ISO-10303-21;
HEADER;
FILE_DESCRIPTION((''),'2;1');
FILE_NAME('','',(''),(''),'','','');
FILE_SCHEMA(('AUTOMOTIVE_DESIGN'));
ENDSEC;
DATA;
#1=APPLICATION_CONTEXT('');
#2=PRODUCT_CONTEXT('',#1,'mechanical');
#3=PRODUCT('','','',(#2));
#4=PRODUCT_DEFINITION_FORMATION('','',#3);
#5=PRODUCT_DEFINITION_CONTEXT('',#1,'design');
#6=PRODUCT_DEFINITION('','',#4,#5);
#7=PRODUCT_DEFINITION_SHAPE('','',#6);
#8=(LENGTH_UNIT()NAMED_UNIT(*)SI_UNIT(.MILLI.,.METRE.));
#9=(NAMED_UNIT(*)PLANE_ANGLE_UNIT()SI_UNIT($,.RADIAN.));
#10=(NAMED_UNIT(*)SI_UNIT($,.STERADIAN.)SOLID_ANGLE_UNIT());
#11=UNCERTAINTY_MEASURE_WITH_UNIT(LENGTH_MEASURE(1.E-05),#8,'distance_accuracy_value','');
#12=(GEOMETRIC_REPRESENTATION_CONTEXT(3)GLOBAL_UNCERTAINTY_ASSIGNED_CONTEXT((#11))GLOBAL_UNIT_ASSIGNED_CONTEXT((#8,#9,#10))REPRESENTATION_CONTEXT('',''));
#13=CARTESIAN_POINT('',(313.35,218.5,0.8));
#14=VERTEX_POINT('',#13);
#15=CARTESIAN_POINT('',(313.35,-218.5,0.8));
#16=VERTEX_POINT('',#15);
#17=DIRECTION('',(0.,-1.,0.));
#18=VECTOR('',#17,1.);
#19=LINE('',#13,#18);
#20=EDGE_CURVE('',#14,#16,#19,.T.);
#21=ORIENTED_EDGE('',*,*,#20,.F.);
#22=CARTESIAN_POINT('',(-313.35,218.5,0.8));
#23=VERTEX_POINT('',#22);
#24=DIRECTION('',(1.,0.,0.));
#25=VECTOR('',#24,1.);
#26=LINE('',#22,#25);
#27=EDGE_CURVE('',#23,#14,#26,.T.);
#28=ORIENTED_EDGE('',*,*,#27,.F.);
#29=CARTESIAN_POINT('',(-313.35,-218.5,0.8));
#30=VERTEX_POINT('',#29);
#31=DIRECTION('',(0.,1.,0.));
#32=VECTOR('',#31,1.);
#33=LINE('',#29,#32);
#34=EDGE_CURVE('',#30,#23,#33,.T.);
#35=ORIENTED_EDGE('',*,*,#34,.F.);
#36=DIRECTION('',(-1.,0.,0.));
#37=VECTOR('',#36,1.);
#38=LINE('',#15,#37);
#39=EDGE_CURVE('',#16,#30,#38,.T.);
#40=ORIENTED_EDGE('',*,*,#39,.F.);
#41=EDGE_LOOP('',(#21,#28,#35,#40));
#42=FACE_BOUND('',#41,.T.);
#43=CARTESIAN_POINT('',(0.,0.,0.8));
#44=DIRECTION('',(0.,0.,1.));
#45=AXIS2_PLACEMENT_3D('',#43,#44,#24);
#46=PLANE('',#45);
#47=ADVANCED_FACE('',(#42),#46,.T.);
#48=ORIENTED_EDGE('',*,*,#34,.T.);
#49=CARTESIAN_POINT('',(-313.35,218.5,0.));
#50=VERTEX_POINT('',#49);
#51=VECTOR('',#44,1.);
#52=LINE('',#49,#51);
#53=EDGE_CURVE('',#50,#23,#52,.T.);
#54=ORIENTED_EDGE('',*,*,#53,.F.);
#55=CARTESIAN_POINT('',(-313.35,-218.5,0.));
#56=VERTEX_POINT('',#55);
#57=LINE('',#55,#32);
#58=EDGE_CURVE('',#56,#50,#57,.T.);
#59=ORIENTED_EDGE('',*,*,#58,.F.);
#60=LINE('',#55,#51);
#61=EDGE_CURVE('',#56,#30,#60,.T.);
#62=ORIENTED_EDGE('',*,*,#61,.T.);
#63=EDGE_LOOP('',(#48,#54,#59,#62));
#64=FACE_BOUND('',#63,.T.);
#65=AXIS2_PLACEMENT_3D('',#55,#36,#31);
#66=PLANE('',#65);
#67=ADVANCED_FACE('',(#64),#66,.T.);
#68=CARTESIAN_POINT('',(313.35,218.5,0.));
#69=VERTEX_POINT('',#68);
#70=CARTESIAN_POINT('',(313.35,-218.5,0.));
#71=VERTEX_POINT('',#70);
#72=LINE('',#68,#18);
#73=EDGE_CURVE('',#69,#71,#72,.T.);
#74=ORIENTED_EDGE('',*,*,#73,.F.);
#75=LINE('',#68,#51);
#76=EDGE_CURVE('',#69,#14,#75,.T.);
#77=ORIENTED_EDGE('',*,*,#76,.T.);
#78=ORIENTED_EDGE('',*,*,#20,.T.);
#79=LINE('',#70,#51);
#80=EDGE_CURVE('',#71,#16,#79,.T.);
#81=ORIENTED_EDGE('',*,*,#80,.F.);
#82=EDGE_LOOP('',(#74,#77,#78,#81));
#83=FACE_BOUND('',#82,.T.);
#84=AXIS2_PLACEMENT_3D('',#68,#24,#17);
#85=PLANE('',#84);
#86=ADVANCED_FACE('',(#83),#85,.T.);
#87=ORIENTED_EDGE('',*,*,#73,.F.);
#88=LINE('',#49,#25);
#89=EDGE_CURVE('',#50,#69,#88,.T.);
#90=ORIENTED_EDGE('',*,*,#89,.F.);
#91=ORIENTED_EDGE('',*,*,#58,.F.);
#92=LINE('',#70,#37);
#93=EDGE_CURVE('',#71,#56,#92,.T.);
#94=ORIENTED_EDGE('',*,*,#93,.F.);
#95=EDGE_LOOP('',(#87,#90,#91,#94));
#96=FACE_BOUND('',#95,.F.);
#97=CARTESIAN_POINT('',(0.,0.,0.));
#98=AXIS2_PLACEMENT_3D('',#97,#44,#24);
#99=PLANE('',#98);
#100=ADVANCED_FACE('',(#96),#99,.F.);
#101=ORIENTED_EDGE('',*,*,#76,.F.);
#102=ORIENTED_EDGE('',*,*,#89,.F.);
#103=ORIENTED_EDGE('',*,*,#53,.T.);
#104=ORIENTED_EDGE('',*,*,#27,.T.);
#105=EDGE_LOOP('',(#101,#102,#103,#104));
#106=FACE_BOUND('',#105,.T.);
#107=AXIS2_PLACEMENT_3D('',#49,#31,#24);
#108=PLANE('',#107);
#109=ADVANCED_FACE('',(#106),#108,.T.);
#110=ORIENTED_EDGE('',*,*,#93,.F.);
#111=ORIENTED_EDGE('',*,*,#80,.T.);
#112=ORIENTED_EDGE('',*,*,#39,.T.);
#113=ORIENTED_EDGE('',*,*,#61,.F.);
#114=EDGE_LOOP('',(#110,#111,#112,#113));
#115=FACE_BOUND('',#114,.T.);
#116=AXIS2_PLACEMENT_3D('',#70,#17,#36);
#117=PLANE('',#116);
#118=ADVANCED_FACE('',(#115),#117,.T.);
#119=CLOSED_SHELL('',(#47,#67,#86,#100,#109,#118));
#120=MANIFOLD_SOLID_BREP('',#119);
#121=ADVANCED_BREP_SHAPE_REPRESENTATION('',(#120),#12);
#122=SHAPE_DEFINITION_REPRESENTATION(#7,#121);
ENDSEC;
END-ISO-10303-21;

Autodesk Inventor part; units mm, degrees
ref_plane "YZ Plane" through (0, 0, 0) normal (1, 0, 0) x (0, 1, 0)
ref_plane "XZ Plane" through (0, 0, 0) normal (0, 1, 0) x (-1, 0, 0)
ref_plane "XY Plane" through (0, 0, 0) normal (0, 0, 1) x (1, 0, 0)
sketch "Sketch1" plane through (0, 0, 0) normal (0, 0, 1) x (1, 0, 0)
  line L0 (-313.35, 218.5) -> (313.35, 218.5)
  line L1 (313.35, 218.5) -> (313.35, -218.5)
  line L2 (313.35, -218.5) -> (-313.35, -218.5)
  line L3 (-313.35, -218.5) -> (-313.35, 218.5)
  point P0 (0, 0)
  dimension "d0" = 626.7
  dimension "d1" = 437
  dimension "d2" = 218.5
  dimension "d3" = 313.35
extrude "Plate1" add sketch "Sketch1" along normal blind 0.8
equation "\"d4\" = Thickness"
equation "\"d2\" = 0.5 * d1"
equation "\"d3\" = 0.5 * d0"
equation "\"BendRadius\" = Thickness"
equation "\"BendReliefWidth\" = Thickness"
equation "\"BendReliefDepth\" = 0.5 * Thickness"
equation "\"CornerReliefSize\" = 4 * Thickness"
equation "\"MinimumRemnant\" = 2 * Thickness"
equation "\"TransitionRadius\" = BendRadius"
equation "\"JacobiRadiusSize\" = BendRadius"
equation "\"GapSize\" = Thickness"
equation "\"Thickness\" = 0.8"
properties part number "Top_Plate"
